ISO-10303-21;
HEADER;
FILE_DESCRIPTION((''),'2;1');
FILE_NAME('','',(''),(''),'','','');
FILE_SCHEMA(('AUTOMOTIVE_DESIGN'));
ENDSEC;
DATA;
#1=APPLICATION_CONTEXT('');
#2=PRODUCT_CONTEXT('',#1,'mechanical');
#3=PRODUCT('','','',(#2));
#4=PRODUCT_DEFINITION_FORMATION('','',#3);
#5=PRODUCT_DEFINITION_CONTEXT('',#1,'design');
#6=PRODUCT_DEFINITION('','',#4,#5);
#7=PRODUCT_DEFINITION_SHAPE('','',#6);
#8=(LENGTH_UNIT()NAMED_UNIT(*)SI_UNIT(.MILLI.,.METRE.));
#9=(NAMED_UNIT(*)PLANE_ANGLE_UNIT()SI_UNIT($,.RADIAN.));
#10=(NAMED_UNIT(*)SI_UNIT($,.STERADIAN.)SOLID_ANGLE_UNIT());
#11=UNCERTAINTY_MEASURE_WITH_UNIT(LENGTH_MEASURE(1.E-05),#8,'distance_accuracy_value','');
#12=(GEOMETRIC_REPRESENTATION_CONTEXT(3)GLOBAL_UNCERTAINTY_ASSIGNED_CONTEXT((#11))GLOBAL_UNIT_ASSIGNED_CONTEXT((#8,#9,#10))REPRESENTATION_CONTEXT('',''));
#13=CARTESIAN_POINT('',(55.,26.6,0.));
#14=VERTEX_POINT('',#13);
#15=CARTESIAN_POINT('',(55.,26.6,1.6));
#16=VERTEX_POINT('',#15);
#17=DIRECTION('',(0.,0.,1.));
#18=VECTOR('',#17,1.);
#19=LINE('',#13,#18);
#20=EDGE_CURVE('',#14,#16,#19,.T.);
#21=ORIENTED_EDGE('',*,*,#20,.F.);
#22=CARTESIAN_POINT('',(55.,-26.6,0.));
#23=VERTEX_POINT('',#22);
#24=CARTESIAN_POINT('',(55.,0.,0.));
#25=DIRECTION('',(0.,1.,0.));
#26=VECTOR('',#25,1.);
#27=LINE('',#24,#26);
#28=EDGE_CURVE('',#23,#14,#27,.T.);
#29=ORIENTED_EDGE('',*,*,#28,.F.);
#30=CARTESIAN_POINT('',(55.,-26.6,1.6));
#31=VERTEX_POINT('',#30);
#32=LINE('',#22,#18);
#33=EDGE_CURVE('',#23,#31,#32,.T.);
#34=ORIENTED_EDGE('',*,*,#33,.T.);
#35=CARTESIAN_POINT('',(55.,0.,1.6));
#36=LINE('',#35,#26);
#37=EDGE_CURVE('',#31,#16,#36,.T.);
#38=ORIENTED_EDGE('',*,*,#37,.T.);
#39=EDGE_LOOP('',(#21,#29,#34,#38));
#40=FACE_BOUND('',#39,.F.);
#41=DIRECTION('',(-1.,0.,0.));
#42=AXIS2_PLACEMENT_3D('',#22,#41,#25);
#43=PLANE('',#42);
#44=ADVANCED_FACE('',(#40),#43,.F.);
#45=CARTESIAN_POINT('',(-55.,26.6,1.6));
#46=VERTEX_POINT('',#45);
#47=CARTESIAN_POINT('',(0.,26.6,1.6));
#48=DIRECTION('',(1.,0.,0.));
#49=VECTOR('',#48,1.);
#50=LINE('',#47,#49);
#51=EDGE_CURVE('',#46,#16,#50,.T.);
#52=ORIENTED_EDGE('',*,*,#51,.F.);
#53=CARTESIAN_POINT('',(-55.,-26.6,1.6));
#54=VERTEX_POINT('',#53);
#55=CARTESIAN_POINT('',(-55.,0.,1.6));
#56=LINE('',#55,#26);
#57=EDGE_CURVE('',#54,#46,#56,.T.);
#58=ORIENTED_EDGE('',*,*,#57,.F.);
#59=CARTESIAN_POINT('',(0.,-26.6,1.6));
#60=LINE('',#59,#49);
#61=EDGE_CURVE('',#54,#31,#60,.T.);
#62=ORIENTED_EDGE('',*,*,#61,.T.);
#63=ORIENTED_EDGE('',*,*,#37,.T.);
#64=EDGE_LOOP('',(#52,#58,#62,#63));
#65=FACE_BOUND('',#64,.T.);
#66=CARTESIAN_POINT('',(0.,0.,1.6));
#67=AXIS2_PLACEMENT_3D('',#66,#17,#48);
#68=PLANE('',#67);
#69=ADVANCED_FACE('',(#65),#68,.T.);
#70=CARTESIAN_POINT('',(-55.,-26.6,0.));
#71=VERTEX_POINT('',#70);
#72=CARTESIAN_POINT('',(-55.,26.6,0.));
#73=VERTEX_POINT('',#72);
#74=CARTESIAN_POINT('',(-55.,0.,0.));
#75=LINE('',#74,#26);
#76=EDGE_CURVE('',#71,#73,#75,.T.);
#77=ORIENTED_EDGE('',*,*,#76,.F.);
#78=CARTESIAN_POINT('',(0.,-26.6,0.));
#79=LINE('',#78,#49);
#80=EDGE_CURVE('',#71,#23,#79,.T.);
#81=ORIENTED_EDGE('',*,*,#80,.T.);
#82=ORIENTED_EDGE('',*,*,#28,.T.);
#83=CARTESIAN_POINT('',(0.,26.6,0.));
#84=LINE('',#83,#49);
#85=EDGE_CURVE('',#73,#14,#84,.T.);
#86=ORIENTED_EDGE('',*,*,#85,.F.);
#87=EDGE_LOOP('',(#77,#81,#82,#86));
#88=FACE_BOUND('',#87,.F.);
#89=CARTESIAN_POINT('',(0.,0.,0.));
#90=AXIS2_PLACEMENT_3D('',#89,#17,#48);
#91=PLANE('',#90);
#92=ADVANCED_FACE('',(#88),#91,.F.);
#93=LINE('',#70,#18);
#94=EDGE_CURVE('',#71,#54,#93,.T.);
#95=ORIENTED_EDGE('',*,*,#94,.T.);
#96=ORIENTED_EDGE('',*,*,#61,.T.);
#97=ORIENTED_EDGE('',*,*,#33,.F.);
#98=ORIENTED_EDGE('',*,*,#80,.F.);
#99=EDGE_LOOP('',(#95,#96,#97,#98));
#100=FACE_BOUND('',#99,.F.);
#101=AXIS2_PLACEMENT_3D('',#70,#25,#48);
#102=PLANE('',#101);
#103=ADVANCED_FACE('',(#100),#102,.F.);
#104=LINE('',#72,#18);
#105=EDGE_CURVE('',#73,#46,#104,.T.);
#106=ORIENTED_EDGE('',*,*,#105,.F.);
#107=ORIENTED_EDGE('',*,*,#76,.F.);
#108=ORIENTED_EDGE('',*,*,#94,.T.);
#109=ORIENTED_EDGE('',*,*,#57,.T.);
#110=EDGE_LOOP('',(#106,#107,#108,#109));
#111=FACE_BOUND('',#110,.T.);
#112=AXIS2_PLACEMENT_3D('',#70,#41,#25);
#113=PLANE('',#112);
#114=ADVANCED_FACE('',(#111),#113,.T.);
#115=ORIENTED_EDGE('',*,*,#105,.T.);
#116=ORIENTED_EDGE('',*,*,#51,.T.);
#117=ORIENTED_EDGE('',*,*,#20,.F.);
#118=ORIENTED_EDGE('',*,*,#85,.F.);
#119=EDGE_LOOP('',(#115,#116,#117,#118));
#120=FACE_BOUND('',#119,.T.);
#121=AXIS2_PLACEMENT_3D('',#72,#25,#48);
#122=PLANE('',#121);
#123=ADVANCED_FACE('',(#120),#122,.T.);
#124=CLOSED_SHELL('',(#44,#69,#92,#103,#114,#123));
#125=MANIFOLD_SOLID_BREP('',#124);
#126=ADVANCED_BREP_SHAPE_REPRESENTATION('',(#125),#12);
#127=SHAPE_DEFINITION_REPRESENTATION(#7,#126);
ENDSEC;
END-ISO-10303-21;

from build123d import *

# Parameters (mm, degrees)
SKETCH_W  = 110
SKETCH_H  = 53.2
PAD_DEPTH = 1.6


with BuildPart() as part:
    # Sketch → Pad (new body)
    with BuildSketch(Plane.XY):
        Rectangle(SKETCH_W, SKETCH_H)
    extrude(amount=PAD_DEPTH)


solid = part.part
